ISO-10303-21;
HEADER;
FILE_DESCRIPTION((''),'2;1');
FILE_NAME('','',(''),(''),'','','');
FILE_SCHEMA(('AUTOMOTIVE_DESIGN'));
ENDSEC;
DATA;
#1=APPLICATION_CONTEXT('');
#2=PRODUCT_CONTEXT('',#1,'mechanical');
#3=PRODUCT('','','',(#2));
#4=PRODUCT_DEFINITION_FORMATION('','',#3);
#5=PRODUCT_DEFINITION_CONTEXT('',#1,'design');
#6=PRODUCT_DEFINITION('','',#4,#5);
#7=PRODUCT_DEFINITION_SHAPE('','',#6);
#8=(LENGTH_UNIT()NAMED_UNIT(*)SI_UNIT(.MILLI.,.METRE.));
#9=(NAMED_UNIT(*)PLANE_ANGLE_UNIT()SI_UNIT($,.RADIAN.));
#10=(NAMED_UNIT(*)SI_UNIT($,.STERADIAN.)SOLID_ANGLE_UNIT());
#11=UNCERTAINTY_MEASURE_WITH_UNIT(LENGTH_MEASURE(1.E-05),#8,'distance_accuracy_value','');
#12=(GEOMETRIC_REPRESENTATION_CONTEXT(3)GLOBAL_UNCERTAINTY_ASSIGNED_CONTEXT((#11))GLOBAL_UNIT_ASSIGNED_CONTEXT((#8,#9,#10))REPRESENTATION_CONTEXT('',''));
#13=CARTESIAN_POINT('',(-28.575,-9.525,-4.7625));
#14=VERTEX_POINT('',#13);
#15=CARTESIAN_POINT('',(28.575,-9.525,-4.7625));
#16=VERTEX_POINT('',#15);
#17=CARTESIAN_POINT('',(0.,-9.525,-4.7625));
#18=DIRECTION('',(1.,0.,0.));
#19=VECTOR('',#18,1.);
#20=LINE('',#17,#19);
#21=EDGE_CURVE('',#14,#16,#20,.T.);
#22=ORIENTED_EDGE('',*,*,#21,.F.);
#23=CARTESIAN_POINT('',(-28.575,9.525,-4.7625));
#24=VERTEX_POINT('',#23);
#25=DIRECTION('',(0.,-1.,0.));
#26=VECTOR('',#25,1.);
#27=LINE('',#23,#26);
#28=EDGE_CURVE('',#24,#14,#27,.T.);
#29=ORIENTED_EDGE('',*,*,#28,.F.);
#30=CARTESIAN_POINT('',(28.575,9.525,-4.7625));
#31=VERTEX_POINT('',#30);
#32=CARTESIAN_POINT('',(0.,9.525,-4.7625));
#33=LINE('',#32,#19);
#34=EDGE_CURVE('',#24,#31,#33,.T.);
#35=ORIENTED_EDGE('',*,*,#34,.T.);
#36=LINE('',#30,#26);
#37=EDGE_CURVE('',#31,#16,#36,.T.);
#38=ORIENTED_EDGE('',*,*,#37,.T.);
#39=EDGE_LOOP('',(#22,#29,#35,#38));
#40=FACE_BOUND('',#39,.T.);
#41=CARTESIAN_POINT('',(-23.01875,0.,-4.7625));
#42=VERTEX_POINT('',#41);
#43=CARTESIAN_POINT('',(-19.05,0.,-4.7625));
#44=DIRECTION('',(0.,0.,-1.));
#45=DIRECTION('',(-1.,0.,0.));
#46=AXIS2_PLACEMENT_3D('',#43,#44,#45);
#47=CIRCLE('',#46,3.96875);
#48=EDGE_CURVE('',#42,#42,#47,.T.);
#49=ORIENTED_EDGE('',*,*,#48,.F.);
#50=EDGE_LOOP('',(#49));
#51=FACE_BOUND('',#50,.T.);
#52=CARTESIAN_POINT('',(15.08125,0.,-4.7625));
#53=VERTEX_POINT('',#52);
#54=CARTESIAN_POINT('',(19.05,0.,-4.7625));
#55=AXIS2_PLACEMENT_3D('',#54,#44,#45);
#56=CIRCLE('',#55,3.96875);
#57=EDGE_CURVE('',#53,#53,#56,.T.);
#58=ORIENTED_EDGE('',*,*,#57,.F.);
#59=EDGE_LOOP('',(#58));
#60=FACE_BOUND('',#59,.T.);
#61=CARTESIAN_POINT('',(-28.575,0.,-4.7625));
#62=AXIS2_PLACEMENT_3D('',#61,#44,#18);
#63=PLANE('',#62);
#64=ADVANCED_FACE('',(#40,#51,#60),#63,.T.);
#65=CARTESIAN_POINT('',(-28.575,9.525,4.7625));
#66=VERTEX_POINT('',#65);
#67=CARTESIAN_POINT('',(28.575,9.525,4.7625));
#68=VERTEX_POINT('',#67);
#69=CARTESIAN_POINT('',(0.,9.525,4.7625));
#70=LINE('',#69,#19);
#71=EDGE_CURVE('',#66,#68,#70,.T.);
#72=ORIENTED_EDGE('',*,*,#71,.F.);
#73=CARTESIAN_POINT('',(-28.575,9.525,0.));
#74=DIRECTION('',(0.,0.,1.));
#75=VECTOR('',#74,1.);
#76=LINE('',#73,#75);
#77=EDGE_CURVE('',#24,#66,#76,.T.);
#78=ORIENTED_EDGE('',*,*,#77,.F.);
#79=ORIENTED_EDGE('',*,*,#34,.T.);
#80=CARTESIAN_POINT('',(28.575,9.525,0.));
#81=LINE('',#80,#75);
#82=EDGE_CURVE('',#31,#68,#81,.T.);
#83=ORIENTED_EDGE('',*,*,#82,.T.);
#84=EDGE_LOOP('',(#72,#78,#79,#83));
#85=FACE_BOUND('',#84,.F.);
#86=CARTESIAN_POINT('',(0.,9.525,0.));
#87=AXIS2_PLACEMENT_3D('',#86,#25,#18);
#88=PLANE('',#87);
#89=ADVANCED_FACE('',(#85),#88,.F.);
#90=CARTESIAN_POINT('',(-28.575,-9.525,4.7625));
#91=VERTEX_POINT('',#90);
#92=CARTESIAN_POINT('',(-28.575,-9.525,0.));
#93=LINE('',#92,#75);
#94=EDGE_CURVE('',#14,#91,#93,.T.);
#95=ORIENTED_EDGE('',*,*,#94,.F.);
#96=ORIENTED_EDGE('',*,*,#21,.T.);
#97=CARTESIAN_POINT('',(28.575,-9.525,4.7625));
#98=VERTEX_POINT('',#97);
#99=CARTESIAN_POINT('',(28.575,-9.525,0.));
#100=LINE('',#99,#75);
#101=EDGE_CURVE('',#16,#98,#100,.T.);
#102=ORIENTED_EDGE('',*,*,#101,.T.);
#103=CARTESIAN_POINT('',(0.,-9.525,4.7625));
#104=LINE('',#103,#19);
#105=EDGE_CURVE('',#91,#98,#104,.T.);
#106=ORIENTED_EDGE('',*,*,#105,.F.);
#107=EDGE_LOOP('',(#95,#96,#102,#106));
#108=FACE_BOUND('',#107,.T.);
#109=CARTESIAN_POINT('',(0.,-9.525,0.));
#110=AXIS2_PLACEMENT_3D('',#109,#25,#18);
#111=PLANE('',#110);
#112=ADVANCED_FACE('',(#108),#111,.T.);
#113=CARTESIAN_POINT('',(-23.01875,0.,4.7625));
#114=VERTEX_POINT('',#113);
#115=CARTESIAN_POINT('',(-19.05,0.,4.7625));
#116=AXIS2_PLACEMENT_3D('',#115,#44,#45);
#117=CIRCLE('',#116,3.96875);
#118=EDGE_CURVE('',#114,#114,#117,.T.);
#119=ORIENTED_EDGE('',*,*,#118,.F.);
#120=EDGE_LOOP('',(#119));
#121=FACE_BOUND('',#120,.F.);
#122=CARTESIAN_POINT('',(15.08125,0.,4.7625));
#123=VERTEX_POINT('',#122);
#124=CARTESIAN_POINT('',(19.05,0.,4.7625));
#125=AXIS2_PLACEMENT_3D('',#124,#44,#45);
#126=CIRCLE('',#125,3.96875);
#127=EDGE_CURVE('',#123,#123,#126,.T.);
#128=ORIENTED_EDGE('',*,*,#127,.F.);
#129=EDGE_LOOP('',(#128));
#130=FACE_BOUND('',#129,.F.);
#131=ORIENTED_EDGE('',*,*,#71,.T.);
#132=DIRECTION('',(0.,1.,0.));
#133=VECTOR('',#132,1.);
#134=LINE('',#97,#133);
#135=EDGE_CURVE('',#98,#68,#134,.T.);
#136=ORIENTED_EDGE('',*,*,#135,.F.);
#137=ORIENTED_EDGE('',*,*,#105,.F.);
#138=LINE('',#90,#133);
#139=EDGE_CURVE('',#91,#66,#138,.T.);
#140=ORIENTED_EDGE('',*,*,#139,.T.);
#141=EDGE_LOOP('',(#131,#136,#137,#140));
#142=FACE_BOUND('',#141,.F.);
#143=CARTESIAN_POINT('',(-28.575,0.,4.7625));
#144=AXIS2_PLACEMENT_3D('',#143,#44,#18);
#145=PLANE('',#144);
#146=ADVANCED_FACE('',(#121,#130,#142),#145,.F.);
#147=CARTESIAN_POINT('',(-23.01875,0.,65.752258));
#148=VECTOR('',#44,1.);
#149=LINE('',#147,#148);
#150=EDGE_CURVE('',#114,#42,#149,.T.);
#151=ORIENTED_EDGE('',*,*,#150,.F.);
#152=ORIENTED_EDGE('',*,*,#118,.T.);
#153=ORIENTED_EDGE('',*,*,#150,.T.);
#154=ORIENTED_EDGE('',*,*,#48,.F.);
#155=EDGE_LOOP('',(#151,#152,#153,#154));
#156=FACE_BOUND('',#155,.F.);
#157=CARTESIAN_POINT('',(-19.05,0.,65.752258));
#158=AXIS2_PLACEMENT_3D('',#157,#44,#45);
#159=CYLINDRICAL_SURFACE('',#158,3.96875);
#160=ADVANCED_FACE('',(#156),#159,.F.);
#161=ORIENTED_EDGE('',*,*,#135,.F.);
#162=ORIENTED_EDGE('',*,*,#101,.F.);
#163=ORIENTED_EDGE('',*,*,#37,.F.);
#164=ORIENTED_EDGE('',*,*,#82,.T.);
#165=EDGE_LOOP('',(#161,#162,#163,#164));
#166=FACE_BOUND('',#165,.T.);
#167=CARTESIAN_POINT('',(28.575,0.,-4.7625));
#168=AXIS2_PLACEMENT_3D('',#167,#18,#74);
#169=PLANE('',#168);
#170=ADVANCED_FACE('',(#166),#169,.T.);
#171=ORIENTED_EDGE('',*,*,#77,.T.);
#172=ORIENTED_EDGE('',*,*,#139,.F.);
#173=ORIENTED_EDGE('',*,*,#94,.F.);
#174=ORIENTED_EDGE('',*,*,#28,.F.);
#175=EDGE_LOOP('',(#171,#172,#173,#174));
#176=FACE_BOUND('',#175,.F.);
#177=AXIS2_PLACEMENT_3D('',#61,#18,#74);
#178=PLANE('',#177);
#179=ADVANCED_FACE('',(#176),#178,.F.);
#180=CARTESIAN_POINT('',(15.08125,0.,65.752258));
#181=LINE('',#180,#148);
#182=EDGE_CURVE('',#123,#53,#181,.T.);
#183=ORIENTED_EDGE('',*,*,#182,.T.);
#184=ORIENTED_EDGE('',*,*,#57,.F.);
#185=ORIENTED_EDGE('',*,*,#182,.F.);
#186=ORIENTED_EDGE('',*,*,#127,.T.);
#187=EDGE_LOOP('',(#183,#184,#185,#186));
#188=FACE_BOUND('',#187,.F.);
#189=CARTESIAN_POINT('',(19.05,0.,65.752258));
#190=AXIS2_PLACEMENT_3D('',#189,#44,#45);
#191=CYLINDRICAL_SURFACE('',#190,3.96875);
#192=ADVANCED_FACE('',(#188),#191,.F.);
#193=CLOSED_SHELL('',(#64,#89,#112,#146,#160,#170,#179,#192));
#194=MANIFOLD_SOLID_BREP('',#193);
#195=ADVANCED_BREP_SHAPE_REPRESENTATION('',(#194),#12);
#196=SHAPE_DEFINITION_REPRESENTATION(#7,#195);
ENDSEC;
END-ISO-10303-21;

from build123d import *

# Parameters (mm, degrees)
F0_W     = 57.15
F0_H     = 9.525
F1_DEPTH = 9.525
F3_D     = 7.9375


with BuildPart() as f1:
    # F0 (on Front) → F1 (new body, symmetric)
    with BuildSketch(Plane.XZ):
        Rectangle(F0_W, F0_H)
    extrude(amount=F1_DEPTH, both=True)

    # F3 (through all)
    with Locations(Plane.XY.offset(4.7625)):
        with Locations((19.05, 0), (-19.05, 0)):
            Hole(F3_D / 2)


solid = f1.part
